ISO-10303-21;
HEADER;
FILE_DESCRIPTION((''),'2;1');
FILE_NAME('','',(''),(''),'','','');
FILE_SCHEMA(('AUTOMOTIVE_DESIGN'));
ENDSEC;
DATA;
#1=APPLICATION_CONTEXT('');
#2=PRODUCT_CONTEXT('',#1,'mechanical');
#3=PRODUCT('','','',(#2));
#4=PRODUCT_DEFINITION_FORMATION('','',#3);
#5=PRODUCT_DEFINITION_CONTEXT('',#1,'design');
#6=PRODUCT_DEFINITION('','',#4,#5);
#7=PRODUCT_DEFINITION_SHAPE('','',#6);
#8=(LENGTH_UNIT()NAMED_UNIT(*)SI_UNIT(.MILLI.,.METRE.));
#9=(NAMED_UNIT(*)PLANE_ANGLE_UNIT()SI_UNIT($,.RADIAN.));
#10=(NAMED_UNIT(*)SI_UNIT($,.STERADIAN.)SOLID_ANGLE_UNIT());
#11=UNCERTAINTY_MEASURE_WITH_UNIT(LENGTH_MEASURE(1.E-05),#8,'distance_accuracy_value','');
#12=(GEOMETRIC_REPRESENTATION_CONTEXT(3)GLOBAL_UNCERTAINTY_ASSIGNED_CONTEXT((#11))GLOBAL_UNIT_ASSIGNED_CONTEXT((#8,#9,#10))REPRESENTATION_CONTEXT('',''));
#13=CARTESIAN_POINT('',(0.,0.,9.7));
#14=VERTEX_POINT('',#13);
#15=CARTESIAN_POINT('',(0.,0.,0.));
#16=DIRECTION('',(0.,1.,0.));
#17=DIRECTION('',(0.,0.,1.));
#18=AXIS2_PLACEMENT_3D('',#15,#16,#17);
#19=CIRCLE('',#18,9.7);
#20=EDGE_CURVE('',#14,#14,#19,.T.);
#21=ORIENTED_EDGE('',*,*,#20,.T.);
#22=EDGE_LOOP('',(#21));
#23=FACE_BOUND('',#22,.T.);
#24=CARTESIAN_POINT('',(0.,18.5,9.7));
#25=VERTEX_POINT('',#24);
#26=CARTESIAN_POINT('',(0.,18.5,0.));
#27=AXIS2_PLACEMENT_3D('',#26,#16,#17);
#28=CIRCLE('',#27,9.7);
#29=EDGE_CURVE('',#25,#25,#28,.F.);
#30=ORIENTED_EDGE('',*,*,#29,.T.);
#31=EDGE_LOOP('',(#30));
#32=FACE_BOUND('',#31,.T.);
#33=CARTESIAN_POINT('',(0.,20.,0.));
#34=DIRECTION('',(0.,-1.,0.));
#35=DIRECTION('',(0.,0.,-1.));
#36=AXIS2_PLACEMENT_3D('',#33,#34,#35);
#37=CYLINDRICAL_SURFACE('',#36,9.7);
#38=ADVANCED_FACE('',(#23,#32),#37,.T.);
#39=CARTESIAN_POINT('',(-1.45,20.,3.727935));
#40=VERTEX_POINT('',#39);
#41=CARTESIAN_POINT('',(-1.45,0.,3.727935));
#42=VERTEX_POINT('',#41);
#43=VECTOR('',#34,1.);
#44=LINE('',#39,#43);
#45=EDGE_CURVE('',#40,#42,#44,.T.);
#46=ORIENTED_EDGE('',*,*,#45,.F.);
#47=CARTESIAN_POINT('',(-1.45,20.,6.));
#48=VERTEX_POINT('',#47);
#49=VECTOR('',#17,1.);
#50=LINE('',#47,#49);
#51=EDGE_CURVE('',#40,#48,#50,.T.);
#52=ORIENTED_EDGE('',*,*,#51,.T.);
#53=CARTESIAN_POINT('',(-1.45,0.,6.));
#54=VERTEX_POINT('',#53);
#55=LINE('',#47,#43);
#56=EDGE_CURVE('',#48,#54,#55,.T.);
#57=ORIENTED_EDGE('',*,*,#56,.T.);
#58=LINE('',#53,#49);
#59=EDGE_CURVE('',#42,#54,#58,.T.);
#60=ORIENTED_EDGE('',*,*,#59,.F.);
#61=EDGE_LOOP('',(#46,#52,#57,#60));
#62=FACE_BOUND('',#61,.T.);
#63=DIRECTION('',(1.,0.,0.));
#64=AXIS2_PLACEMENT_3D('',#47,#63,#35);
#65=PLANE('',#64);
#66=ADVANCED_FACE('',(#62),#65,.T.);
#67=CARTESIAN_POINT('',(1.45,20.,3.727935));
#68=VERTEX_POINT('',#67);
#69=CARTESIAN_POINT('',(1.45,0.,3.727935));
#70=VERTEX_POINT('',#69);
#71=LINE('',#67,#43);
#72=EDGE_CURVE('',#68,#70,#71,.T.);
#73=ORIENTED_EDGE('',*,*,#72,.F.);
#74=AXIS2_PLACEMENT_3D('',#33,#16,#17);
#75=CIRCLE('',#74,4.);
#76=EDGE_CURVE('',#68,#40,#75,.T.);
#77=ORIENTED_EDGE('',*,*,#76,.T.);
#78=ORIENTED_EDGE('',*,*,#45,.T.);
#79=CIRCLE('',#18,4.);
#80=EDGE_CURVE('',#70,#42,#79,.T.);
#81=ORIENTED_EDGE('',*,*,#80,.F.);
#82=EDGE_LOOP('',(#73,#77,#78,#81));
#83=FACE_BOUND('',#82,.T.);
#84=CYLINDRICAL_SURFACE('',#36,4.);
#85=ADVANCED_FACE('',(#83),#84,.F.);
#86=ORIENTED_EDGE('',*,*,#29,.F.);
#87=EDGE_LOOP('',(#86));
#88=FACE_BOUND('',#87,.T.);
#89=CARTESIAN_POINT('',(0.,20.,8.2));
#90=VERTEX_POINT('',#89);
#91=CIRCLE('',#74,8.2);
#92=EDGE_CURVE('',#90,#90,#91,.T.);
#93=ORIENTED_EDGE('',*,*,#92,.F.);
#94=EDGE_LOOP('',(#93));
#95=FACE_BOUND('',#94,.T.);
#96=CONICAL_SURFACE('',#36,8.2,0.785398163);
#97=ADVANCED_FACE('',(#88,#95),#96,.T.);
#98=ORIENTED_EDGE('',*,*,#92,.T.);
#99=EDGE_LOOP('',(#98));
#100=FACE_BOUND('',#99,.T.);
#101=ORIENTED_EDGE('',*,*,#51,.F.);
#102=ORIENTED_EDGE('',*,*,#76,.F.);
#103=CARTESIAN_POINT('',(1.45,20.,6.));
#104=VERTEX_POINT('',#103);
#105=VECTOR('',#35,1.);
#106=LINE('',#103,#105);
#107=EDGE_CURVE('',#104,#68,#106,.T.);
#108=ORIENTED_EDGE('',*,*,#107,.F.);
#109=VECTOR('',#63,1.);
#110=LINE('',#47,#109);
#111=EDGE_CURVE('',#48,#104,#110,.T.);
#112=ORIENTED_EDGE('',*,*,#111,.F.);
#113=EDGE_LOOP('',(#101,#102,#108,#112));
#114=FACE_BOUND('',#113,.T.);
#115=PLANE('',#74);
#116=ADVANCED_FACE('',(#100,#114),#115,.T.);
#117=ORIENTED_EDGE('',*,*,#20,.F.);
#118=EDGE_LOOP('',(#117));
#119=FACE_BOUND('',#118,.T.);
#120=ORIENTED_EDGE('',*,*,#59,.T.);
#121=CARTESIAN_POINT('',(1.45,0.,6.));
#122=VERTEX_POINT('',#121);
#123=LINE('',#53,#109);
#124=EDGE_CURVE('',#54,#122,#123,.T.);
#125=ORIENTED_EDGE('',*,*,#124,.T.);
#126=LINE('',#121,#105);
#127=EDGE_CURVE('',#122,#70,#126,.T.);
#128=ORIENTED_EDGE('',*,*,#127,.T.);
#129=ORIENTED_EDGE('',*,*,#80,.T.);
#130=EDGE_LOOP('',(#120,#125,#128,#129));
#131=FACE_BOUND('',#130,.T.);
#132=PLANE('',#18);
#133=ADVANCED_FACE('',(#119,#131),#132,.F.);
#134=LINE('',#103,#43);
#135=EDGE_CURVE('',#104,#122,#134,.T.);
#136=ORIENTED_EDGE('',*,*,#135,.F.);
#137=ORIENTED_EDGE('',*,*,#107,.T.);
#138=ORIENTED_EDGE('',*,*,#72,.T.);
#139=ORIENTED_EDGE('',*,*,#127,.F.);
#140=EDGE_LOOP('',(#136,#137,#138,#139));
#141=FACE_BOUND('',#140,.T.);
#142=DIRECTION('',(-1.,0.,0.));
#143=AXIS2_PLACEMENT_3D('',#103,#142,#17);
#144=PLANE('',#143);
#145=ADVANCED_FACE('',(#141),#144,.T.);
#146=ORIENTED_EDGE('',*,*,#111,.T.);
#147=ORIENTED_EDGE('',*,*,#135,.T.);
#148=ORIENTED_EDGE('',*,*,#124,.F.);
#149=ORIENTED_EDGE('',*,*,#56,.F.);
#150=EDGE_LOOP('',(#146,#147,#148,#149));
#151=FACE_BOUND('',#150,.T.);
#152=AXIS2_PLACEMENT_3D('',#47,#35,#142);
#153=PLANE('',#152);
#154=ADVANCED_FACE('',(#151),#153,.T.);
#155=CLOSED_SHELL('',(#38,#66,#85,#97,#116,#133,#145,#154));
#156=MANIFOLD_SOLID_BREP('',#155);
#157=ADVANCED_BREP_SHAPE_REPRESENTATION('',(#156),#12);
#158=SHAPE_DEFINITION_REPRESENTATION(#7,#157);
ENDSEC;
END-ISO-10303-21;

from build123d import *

# Parameters (mm, degrees)
SKETCH1_R           = 9.7
BOSS_EXTRUDE1_DEPTH = 20
CHAMFER1_SIZE       = 1.5


with BuildPart() as part:
    # Sketch1 → Boss-Extrude1 (new body)
    with BuildSketch(Plane(origin=(0, 0, 0), x_dir=(1, 0, 0), z_dir=(0, 1, 0))):
        with Locations(Location((0, 0, 0), (0, 0, 270))):
            Circle(SKETCH1_R)
        with BuildLine():
            Line((-1.45, -6), (1.45, -6))
            Line((1.45, -6), (1.45, -3.727935085))
            ThreePointArc((1.45, -3.727935085), (0, 4), (-1.45, -3.727935085))
            Line((-1.45, -3.727935085), (-1.45, -6))
        make_face(mode=Mode.SUBTRACT)
    extrude(amount=BOSS_EXTRUDE1_DEPTH)

    # Chamfer1
    chamfer1_edges = [part.edges().sort_by_distance(p)[0] for p in [
        (0, 20, -9.7),
    ]]
    chamfer(chamfer1_edges, length=CHAMFER1_SIZE)


solid = part.part
